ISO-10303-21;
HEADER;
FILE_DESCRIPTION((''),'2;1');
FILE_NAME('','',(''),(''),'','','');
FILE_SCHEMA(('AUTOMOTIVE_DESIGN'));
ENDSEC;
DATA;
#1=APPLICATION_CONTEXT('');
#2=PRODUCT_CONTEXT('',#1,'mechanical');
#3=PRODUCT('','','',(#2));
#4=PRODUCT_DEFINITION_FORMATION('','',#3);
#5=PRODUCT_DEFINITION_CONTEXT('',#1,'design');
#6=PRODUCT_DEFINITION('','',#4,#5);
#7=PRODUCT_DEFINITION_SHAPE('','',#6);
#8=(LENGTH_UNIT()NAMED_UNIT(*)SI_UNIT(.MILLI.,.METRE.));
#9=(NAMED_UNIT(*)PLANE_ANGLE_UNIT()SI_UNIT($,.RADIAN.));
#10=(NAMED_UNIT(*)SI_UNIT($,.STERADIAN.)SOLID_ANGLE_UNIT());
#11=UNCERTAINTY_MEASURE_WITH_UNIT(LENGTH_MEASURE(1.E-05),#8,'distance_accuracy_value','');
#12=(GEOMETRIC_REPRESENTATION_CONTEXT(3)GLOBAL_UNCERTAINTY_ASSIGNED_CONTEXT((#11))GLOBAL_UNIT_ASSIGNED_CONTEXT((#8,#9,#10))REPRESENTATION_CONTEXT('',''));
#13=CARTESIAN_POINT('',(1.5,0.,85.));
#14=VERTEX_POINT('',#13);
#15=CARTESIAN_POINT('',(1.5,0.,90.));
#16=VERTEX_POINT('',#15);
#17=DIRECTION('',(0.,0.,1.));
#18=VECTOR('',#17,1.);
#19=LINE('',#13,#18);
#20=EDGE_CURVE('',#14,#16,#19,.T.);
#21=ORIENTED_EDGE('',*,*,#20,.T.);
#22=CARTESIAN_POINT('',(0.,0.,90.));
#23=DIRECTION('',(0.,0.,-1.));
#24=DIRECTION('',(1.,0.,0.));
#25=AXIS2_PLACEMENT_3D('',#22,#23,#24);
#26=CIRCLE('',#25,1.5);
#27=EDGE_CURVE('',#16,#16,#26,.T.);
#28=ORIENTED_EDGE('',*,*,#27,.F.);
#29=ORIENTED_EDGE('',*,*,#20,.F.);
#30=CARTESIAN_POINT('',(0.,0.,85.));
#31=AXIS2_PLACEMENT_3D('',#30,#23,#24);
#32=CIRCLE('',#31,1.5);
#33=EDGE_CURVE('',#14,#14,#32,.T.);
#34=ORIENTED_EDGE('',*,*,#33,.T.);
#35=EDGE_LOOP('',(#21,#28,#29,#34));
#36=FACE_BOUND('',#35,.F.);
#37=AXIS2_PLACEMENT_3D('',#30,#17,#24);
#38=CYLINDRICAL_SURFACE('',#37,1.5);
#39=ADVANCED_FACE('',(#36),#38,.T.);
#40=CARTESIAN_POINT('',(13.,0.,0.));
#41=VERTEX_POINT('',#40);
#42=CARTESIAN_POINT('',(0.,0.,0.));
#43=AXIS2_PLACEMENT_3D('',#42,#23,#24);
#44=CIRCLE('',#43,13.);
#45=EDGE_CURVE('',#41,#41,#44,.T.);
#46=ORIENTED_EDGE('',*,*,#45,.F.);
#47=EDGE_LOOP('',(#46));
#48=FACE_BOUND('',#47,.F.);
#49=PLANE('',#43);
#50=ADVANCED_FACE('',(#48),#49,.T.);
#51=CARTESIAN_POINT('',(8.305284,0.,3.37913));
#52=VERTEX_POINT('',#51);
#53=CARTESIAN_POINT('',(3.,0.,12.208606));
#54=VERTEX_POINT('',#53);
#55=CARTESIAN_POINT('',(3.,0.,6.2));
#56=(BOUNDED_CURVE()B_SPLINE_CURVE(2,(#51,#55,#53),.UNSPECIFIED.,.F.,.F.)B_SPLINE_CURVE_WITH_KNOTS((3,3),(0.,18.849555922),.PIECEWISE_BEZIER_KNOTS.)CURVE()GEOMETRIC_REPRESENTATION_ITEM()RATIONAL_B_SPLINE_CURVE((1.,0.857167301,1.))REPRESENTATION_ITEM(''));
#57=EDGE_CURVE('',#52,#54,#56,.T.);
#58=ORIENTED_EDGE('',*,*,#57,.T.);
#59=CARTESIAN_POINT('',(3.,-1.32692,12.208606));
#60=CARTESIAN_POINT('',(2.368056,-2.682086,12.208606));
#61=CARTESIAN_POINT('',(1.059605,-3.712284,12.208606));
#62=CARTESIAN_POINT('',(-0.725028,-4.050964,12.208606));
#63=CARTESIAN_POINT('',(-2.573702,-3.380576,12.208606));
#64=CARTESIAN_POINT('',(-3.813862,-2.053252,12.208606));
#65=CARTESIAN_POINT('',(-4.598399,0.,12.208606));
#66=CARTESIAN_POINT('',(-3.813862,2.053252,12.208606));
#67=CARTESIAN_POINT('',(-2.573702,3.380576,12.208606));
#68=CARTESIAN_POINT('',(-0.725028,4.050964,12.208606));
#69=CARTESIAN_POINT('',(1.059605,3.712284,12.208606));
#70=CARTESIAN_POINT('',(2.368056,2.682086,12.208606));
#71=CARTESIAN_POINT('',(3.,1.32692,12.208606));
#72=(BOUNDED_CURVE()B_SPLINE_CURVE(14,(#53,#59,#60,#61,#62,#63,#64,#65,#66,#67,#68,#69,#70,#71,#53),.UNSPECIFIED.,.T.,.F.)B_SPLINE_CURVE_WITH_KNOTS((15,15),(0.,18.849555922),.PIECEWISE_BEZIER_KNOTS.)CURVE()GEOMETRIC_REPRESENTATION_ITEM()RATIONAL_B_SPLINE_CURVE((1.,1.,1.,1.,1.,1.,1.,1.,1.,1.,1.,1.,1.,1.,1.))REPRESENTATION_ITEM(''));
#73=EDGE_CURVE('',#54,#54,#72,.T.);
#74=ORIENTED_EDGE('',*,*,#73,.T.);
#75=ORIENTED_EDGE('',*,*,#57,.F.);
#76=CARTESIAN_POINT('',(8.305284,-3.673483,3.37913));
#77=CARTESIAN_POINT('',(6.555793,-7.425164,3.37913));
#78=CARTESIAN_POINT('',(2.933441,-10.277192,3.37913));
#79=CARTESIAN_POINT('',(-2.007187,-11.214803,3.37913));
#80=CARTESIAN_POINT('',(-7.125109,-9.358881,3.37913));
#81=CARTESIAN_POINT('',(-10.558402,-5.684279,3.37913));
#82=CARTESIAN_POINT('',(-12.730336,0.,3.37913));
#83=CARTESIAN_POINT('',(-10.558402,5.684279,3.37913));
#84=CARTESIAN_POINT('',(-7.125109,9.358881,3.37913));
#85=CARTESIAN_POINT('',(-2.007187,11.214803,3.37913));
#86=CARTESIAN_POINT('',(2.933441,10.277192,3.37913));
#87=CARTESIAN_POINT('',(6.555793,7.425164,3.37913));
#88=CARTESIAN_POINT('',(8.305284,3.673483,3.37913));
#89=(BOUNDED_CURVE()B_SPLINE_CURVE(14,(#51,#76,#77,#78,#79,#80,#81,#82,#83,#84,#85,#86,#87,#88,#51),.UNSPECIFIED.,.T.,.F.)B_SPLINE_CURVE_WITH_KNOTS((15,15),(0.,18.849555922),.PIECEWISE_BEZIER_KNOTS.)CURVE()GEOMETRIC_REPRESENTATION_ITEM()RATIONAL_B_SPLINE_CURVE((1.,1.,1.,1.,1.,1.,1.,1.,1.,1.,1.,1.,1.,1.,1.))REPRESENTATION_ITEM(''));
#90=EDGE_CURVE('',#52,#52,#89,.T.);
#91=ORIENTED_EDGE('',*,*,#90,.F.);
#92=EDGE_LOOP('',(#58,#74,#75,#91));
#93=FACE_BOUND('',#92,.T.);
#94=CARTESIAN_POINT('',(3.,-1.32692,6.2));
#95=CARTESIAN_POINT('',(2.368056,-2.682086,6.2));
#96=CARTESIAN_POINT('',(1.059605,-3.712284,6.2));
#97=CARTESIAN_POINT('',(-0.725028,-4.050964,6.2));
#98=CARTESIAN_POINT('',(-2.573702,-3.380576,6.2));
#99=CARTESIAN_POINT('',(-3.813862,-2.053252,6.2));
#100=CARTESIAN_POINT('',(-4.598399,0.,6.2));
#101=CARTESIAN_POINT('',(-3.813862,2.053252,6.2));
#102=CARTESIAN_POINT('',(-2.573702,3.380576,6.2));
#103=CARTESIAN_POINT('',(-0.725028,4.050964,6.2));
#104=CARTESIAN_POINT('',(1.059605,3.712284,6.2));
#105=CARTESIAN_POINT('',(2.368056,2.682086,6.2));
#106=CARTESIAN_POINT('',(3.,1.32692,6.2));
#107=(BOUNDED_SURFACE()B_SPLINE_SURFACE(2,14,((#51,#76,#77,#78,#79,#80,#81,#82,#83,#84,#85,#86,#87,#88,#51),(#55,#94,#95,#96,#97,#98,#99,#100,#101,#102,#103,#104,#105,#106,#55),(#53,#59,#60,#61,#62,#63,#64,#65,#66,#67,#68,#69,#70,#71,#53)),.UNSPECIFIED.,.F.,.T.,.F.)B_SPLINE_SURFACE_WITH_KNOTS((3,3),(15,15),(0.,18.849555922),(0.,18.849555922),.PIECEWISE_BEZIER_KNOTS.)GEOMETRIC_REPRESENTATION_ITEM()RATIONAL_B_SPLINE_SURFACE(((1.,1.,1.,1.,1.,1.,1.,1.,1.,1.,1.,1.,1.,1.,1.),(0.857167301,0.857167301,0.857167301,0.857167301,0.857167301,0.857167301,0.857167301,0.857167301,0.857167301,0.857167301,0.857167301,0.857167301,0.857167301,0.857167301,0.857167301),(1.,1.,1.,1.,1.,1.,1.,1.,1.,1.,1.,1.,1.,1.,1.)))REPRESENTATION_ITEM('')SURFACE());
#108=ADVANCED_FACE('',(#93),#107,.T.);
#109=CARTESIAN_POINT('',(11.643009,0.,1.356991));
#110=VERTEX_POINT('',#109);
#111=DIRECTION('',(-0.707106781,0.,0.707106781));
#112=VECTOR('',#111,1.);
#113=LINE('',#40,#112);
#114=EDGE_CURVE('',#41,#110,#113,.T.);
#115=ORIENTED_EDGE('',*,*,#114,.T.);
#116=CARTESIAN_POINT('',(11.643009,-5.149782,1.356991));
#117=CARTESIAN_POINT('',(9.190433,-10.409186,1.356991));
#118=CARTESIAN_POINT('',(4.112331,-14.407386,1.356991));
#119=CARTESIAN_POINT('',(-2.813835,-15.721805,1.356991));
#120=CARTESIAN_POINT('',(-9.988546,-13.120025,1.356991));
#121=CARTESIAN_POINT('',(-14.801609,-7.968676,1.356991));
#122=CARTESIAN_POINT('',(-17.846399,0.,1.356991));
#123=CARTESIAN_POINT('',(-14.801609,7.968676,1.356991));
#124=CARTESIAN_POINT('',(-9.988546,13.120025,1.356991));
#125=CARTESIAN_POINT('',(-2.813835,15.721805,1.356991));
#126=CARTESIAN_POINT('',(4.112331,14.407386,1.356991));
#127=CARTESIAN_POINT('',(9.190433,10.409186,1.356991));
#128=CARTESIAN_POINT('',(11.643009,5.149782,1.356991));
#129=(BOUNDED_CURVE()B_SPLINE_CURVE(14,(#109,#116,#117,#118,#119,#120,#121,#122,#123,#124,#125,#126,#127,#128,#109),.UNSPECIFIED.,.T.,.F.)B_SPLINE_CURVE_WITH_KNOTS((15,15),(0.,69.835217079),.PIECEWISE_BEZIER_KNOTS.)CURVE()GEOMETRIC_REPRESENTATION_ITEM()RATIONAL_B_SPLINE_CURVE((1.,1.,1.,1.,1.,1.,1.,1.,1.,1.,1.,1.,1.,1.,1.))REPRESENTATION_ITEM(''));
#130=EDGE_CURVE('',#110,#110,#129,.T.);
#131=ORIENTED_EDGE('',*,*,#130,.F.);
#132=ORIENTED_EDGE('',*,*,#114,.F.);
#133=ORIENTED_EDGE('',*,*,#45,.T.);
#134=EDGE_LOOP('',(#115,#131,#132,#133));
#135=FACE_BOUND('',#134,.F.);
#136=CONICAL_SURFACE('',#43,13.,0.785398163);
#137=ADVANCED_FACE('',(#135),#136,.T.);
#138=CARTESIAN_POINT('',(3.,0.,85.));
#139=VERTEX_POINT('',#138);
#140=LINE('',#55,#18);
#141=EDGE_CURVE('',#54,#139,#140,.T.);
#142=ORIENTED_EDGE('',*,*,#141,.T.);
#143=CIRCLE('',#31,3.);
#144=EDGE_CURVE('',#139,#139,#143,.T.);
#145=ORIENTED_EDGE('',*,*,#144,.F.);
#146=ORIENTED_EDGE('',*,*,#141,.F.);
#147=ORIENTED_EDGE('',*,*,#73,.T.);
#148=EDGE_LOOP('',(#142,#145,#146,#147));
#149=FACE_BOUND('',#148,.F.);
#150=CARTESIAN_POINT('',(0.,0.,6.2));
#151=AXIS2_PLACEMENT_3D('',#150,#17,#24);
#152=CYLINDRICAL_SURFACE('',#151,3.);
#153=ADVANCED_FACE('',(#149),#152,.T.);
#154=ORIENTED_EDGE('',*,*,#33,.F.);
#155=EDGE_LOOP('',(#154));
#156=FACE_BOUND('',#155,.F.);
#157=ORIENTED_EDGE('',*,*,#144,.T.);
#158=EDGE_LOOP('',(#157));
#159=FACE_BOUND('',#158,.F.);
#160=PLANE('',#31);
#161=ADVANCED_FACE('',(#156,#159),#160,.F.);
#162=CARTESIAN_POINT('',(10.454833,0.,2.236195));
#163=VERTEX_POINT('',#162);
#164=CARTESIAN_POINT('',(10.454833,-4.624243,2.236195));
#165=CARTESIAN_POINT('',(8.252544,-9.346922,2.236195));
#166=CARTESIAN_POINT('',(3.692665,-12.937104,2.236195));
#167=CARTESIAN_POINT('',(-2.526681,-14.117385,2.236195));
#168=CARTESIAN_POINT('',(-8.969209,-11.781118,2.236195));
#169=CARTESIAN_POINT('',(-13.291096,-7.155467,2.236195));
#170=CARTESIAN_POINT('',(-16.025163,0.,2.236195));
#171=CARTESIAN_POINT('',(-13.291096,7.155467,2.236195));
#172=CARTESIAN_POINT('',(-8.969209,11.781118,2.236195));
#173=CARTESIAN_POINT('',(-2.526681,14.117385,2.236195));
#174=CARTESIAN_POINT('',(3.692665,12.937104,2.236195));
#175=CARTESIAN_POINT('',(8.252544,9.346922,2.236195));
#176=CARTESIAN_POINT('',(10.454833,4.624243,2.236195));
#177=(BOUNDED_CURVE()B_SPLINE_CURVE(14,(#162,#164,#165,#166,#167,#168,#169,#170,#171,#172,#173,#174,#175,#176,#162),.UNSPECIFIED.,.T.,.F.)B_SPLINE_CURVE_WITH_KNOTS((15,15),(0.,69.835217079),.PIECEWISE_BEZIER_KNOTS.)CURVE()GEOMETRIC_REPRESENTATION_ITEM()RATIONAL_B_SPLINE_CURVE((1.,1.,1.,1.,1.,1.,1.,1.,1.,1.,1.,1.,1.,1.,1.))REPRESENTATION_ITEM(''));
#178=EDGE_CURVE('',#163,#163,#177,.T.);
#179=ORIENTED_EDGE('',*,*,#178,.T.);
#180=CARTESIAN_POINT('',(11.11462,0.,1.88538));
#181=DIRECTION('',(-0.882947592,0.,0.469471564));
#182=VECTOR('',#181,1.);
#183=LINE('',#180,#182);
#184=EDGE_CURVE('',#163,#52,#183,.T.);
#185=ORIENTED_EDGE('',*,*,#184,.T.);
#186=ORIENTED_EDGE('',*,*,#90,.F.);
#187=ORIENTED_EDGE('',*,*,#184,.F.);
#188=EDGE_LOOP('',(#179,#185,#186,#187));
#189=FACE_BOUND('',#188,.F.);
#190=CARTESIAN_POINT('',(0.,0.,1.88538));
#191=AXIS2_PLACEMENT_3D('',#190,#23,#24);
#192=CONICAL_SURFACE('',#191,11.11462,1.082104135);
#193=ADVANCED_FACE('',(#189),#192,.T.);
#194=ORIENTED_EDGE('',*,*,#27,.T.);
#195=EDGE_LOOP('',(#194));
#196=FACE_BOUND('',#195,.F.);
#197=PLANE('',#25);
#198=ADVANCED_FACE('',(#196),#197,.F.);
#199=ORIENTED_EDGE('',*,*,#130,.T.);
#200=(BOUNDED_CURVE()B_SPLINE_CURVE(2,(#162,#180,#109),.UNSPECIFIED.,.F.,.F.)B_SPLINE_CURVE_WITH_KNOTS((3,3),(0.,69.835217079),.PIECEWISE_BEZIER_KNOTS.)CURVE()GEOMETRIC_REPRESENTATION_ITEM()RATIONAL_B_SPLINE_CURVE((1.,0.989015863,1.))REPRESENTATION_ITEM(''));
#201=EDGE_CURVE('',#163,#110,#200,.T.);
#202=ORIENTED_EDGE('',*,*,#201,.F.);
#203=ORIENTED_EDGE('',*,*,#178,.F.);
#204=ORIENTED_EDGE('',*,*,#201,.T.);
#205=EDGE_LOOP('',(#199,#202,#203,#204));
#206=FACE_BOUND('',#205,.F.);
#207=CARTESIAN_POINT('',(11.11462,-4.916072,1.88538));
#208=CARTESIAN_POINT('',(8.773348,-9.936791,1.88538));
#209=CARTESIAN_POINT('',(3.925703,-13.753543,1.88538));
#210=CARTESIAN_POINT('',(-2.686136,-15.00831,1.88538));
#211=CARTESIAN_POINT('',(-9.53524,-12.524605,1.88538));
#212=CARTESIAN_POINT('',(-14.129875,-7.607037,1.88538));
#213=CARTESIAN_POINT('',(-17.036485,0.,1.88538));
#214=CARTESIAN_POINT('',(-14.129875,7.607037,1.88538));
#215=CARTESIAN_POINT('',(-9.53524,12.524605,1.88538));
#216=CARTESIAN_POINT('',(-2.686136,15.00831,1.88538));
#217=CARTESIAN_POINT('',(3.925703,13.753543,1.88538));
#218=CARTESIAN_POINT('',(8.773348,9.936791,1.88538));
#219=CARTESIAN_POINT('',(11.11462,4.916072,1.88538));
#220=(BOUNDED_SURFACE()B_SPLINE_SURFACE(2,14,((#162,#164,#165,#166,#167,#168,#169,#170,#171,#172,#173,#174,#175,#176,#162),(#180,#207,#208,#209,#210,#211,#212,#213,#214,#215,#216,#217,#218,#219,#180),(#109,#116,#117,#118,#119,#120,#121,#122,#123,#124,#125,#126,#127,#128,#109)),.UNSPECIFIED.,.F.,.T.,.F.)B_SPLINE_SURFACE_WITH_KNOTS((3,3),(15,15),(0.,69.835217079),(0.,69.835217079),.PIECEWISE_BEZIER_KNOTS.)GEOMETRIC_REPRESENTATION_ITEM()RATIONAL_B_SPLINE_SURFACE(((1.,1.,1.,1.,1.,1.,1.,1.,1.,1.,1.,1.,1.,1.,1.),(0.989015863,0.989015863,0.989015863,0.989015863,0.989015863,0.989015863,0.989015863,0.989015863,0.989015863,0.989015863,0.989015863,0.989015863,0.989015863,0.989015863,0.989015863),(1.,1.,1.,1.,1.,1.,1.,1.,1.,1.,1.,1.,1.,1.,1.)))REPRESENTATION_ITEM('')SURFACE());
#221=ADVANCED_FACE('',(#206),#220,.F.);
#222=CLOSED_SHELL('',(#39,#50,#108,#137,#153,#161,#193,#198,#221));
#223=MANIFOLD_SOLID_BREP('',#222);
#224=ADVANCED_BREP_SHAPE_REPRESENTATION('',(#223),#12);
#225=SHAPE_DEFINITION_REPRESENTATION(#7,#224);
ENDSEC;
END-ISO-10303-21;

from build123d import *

# Parameters (mm, degrees)
F2_R = 10
F3_R = 5


with BuildPart() as f1:
    # F0 (on Front) → F1 (revolve)
    with BuildSketch(Plane.XZ):
        Polygon((0, 90), (0, 0), (13, 0), (11.11462, 1.88538), (3, 6.2), (3, 85), (1.5, 85), (1.5, 90), align=None)
    revolve(axis=Axis((0, 0, 45), (0, 0, -1)))

    # F2
    f2_edges = [f1.edges().sort_by_distance(p)[0] for p in [
        (-3, 0, 6.2),
    ]]
    fillet(f2_edges, radius=F2_R)

    # F3
    f3_edges = [f1.edges().sort_by_distance(p)[0] for p in [
        (-11.11462, 0, 1.88538),
    ]]
    fillet(f3_edges, radius=F3_R)


solid = f1.part
